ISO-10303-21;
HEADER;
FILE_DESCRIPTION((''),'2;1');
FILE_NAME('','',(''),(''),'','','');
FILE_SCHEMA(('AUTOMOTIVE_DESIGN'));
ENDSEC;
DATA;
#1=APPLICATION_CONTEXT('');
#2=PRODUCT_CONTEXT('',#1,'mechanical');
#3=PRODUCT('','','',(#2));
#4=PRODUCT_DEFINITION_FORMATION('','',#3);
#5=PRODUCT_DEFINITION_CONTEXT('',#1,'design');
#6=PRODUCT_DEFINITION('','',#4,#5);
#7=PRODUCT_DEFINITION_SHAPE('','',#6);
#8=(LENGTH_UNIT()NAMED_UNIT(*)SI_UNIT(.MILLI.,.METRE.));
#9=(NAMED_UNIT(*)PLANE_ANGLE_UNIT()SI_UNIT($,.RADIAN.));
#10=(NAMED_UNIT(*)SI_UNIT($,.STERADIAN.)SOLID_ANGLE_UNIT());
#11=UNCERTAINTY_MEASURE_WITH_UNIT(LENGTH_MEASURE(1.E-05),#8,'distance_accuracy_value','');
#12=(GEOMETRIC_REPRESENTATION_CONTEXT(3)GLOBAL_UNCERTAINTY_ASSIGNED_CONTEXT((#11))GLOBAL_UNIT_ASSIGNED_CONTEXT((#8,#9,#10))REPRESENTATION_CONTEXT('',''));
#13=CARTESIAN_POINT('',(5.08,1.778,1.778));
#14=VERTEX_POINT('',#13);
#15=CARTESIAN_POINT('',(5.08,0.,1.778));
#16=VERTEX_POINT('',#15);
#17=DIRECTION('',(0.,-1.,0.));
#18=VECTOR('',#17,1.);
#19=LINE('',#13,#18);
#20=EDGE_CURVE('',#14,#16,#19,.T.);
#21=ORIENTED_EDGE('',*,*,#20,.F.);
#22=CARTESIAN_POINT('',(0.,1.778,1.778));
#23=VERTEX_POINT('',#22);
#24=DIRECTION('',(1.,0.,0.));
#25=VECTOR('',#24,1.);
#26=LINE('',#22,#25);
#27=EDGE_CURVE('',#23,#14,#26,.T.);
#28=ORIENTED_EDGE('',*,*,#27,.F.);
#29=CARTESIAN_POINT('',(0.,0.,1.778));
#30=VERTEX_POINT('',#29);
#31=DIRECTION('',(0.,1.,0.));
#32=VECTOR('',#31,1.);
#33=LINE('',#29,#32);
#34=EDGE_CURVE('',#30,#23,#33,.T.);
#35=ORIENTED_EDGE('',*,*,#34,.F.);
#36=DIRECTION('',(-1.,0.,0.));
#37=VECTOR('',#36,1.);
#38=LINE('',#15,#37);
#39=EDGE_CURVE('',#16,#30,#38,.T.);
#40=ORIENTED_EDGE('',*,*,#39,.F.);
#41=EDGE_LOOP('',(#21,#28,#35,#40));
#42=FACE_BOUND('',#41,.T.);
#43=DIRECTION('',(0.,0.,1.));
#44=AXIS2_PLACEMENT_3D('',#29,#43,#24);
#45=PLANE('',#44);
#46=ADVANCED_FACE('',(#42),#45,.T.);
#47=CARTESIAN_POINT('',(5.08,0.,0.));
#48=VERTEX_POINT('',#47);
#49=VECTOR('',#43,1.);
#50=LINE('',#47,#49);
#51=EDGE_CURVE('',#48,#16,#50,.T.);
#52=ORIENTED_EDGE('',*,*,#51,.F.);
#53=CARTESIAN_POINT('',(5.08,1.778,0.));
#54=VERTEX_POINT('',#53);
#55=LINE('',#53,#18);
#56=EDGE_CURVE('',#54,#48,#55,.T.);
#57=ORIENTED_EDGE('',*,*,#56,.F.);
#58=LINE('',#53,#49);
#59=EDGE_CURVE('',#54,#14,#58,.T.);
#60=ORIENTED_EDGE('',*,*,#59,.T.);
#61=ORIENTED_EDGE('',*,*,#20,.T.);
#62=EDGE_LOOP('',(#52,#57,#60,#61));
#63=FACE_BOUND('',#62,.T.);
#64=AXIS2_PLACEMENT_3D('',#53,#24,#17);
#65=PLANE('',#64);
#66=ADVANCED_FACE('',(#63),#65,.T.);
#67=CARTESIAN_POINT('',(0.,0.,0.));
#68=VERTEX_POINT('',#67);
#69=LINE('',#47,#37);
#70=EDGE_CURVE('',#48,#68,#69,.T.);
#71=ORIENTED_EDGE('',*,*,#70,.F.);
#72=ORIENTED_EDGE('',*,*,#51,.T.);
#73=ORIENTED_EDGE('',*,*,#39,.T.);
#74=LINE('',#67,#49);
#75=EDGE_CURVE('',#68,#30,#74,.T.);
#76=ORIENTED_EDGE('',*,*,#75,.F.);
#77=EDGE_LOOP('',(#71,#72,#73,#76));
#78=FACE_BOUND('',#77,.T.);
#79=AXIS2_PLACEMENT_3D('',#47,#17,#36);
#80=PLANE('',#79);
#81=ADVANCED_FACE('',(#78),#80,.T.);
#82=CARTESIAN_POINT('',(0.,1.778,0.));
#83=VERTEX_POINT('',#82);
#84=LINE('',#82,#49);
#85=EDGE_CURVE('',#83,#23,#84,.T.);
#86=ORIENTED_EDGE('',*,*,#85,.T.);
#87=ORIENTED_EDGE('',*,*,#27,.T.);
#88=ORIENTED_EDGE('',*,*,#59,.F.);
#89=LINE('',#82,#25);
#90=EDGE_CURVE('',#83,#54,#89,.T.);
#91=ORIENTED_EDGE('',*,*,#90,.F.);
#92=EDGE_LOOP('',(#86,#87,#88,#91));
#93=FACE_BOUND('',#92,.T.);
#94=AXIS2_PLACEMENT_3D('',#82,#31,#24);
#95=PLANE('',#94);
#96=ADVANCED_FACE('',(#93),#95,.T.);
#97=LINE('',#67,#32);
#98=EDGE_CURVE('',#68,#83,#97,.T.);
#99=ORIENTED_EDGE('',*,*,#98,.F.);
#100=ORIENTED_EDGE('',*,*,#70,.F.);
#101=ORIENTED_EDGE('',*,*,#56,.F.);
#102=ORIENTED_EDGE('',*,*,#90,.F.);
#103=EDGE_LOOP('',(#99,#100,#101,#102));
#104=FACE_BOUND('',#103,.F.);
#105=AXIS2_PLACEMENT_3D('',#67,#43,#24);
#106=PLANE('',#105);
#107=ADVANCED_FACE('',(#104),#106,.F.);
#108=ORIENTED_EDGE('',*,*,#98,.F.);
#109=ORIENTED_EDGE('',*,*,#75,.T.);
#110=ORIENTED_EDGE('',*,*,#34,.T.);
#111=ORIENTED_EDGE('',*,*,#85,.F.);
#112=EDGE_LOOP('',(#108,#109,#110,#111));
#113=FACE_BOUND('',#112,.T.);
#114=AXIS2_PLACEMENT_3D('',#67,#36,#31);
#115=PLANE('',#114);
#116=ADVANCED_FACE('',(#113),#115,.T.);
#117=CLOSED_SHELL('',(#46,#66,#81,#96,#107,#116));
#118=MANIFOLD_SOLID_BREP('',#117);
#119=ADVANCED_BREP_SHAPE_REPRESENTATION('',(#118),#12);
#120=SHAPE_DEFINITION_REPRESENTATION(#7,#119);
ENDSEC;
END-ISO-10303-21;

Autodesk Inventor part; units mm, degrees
ref_plane "YZ Plane" through (0, 0, 0) normal (1, 0, 0) x (0, 1, 0)
ref_plane "XZ Plane" through (0, 0, 0) normal (0, 1, 0) x (-1, 0, 0)
ref_plane "XY Plane" through (0, 0, 0) normal (0, 0, 1) x (1, 0, 0)
sketch "Sketch2" plane through (0, 0, 0) normal (0, 0, 1) x (1, 0, 0)
  line L0 (0, 0) -> (0, 1.778)
  line L1 (0, 1.778) -> (5.08, 1.778)
  line L2 (5.08, 1.778) -> (5.08, 0)
  line L3 (5.08, 0) -> (0, 0)
  dimension "d4" = 5.08
  dimension "d5" = 1.778
extrude "Extrusion2" add sketch "Sketch2" along normal blind 1.778
